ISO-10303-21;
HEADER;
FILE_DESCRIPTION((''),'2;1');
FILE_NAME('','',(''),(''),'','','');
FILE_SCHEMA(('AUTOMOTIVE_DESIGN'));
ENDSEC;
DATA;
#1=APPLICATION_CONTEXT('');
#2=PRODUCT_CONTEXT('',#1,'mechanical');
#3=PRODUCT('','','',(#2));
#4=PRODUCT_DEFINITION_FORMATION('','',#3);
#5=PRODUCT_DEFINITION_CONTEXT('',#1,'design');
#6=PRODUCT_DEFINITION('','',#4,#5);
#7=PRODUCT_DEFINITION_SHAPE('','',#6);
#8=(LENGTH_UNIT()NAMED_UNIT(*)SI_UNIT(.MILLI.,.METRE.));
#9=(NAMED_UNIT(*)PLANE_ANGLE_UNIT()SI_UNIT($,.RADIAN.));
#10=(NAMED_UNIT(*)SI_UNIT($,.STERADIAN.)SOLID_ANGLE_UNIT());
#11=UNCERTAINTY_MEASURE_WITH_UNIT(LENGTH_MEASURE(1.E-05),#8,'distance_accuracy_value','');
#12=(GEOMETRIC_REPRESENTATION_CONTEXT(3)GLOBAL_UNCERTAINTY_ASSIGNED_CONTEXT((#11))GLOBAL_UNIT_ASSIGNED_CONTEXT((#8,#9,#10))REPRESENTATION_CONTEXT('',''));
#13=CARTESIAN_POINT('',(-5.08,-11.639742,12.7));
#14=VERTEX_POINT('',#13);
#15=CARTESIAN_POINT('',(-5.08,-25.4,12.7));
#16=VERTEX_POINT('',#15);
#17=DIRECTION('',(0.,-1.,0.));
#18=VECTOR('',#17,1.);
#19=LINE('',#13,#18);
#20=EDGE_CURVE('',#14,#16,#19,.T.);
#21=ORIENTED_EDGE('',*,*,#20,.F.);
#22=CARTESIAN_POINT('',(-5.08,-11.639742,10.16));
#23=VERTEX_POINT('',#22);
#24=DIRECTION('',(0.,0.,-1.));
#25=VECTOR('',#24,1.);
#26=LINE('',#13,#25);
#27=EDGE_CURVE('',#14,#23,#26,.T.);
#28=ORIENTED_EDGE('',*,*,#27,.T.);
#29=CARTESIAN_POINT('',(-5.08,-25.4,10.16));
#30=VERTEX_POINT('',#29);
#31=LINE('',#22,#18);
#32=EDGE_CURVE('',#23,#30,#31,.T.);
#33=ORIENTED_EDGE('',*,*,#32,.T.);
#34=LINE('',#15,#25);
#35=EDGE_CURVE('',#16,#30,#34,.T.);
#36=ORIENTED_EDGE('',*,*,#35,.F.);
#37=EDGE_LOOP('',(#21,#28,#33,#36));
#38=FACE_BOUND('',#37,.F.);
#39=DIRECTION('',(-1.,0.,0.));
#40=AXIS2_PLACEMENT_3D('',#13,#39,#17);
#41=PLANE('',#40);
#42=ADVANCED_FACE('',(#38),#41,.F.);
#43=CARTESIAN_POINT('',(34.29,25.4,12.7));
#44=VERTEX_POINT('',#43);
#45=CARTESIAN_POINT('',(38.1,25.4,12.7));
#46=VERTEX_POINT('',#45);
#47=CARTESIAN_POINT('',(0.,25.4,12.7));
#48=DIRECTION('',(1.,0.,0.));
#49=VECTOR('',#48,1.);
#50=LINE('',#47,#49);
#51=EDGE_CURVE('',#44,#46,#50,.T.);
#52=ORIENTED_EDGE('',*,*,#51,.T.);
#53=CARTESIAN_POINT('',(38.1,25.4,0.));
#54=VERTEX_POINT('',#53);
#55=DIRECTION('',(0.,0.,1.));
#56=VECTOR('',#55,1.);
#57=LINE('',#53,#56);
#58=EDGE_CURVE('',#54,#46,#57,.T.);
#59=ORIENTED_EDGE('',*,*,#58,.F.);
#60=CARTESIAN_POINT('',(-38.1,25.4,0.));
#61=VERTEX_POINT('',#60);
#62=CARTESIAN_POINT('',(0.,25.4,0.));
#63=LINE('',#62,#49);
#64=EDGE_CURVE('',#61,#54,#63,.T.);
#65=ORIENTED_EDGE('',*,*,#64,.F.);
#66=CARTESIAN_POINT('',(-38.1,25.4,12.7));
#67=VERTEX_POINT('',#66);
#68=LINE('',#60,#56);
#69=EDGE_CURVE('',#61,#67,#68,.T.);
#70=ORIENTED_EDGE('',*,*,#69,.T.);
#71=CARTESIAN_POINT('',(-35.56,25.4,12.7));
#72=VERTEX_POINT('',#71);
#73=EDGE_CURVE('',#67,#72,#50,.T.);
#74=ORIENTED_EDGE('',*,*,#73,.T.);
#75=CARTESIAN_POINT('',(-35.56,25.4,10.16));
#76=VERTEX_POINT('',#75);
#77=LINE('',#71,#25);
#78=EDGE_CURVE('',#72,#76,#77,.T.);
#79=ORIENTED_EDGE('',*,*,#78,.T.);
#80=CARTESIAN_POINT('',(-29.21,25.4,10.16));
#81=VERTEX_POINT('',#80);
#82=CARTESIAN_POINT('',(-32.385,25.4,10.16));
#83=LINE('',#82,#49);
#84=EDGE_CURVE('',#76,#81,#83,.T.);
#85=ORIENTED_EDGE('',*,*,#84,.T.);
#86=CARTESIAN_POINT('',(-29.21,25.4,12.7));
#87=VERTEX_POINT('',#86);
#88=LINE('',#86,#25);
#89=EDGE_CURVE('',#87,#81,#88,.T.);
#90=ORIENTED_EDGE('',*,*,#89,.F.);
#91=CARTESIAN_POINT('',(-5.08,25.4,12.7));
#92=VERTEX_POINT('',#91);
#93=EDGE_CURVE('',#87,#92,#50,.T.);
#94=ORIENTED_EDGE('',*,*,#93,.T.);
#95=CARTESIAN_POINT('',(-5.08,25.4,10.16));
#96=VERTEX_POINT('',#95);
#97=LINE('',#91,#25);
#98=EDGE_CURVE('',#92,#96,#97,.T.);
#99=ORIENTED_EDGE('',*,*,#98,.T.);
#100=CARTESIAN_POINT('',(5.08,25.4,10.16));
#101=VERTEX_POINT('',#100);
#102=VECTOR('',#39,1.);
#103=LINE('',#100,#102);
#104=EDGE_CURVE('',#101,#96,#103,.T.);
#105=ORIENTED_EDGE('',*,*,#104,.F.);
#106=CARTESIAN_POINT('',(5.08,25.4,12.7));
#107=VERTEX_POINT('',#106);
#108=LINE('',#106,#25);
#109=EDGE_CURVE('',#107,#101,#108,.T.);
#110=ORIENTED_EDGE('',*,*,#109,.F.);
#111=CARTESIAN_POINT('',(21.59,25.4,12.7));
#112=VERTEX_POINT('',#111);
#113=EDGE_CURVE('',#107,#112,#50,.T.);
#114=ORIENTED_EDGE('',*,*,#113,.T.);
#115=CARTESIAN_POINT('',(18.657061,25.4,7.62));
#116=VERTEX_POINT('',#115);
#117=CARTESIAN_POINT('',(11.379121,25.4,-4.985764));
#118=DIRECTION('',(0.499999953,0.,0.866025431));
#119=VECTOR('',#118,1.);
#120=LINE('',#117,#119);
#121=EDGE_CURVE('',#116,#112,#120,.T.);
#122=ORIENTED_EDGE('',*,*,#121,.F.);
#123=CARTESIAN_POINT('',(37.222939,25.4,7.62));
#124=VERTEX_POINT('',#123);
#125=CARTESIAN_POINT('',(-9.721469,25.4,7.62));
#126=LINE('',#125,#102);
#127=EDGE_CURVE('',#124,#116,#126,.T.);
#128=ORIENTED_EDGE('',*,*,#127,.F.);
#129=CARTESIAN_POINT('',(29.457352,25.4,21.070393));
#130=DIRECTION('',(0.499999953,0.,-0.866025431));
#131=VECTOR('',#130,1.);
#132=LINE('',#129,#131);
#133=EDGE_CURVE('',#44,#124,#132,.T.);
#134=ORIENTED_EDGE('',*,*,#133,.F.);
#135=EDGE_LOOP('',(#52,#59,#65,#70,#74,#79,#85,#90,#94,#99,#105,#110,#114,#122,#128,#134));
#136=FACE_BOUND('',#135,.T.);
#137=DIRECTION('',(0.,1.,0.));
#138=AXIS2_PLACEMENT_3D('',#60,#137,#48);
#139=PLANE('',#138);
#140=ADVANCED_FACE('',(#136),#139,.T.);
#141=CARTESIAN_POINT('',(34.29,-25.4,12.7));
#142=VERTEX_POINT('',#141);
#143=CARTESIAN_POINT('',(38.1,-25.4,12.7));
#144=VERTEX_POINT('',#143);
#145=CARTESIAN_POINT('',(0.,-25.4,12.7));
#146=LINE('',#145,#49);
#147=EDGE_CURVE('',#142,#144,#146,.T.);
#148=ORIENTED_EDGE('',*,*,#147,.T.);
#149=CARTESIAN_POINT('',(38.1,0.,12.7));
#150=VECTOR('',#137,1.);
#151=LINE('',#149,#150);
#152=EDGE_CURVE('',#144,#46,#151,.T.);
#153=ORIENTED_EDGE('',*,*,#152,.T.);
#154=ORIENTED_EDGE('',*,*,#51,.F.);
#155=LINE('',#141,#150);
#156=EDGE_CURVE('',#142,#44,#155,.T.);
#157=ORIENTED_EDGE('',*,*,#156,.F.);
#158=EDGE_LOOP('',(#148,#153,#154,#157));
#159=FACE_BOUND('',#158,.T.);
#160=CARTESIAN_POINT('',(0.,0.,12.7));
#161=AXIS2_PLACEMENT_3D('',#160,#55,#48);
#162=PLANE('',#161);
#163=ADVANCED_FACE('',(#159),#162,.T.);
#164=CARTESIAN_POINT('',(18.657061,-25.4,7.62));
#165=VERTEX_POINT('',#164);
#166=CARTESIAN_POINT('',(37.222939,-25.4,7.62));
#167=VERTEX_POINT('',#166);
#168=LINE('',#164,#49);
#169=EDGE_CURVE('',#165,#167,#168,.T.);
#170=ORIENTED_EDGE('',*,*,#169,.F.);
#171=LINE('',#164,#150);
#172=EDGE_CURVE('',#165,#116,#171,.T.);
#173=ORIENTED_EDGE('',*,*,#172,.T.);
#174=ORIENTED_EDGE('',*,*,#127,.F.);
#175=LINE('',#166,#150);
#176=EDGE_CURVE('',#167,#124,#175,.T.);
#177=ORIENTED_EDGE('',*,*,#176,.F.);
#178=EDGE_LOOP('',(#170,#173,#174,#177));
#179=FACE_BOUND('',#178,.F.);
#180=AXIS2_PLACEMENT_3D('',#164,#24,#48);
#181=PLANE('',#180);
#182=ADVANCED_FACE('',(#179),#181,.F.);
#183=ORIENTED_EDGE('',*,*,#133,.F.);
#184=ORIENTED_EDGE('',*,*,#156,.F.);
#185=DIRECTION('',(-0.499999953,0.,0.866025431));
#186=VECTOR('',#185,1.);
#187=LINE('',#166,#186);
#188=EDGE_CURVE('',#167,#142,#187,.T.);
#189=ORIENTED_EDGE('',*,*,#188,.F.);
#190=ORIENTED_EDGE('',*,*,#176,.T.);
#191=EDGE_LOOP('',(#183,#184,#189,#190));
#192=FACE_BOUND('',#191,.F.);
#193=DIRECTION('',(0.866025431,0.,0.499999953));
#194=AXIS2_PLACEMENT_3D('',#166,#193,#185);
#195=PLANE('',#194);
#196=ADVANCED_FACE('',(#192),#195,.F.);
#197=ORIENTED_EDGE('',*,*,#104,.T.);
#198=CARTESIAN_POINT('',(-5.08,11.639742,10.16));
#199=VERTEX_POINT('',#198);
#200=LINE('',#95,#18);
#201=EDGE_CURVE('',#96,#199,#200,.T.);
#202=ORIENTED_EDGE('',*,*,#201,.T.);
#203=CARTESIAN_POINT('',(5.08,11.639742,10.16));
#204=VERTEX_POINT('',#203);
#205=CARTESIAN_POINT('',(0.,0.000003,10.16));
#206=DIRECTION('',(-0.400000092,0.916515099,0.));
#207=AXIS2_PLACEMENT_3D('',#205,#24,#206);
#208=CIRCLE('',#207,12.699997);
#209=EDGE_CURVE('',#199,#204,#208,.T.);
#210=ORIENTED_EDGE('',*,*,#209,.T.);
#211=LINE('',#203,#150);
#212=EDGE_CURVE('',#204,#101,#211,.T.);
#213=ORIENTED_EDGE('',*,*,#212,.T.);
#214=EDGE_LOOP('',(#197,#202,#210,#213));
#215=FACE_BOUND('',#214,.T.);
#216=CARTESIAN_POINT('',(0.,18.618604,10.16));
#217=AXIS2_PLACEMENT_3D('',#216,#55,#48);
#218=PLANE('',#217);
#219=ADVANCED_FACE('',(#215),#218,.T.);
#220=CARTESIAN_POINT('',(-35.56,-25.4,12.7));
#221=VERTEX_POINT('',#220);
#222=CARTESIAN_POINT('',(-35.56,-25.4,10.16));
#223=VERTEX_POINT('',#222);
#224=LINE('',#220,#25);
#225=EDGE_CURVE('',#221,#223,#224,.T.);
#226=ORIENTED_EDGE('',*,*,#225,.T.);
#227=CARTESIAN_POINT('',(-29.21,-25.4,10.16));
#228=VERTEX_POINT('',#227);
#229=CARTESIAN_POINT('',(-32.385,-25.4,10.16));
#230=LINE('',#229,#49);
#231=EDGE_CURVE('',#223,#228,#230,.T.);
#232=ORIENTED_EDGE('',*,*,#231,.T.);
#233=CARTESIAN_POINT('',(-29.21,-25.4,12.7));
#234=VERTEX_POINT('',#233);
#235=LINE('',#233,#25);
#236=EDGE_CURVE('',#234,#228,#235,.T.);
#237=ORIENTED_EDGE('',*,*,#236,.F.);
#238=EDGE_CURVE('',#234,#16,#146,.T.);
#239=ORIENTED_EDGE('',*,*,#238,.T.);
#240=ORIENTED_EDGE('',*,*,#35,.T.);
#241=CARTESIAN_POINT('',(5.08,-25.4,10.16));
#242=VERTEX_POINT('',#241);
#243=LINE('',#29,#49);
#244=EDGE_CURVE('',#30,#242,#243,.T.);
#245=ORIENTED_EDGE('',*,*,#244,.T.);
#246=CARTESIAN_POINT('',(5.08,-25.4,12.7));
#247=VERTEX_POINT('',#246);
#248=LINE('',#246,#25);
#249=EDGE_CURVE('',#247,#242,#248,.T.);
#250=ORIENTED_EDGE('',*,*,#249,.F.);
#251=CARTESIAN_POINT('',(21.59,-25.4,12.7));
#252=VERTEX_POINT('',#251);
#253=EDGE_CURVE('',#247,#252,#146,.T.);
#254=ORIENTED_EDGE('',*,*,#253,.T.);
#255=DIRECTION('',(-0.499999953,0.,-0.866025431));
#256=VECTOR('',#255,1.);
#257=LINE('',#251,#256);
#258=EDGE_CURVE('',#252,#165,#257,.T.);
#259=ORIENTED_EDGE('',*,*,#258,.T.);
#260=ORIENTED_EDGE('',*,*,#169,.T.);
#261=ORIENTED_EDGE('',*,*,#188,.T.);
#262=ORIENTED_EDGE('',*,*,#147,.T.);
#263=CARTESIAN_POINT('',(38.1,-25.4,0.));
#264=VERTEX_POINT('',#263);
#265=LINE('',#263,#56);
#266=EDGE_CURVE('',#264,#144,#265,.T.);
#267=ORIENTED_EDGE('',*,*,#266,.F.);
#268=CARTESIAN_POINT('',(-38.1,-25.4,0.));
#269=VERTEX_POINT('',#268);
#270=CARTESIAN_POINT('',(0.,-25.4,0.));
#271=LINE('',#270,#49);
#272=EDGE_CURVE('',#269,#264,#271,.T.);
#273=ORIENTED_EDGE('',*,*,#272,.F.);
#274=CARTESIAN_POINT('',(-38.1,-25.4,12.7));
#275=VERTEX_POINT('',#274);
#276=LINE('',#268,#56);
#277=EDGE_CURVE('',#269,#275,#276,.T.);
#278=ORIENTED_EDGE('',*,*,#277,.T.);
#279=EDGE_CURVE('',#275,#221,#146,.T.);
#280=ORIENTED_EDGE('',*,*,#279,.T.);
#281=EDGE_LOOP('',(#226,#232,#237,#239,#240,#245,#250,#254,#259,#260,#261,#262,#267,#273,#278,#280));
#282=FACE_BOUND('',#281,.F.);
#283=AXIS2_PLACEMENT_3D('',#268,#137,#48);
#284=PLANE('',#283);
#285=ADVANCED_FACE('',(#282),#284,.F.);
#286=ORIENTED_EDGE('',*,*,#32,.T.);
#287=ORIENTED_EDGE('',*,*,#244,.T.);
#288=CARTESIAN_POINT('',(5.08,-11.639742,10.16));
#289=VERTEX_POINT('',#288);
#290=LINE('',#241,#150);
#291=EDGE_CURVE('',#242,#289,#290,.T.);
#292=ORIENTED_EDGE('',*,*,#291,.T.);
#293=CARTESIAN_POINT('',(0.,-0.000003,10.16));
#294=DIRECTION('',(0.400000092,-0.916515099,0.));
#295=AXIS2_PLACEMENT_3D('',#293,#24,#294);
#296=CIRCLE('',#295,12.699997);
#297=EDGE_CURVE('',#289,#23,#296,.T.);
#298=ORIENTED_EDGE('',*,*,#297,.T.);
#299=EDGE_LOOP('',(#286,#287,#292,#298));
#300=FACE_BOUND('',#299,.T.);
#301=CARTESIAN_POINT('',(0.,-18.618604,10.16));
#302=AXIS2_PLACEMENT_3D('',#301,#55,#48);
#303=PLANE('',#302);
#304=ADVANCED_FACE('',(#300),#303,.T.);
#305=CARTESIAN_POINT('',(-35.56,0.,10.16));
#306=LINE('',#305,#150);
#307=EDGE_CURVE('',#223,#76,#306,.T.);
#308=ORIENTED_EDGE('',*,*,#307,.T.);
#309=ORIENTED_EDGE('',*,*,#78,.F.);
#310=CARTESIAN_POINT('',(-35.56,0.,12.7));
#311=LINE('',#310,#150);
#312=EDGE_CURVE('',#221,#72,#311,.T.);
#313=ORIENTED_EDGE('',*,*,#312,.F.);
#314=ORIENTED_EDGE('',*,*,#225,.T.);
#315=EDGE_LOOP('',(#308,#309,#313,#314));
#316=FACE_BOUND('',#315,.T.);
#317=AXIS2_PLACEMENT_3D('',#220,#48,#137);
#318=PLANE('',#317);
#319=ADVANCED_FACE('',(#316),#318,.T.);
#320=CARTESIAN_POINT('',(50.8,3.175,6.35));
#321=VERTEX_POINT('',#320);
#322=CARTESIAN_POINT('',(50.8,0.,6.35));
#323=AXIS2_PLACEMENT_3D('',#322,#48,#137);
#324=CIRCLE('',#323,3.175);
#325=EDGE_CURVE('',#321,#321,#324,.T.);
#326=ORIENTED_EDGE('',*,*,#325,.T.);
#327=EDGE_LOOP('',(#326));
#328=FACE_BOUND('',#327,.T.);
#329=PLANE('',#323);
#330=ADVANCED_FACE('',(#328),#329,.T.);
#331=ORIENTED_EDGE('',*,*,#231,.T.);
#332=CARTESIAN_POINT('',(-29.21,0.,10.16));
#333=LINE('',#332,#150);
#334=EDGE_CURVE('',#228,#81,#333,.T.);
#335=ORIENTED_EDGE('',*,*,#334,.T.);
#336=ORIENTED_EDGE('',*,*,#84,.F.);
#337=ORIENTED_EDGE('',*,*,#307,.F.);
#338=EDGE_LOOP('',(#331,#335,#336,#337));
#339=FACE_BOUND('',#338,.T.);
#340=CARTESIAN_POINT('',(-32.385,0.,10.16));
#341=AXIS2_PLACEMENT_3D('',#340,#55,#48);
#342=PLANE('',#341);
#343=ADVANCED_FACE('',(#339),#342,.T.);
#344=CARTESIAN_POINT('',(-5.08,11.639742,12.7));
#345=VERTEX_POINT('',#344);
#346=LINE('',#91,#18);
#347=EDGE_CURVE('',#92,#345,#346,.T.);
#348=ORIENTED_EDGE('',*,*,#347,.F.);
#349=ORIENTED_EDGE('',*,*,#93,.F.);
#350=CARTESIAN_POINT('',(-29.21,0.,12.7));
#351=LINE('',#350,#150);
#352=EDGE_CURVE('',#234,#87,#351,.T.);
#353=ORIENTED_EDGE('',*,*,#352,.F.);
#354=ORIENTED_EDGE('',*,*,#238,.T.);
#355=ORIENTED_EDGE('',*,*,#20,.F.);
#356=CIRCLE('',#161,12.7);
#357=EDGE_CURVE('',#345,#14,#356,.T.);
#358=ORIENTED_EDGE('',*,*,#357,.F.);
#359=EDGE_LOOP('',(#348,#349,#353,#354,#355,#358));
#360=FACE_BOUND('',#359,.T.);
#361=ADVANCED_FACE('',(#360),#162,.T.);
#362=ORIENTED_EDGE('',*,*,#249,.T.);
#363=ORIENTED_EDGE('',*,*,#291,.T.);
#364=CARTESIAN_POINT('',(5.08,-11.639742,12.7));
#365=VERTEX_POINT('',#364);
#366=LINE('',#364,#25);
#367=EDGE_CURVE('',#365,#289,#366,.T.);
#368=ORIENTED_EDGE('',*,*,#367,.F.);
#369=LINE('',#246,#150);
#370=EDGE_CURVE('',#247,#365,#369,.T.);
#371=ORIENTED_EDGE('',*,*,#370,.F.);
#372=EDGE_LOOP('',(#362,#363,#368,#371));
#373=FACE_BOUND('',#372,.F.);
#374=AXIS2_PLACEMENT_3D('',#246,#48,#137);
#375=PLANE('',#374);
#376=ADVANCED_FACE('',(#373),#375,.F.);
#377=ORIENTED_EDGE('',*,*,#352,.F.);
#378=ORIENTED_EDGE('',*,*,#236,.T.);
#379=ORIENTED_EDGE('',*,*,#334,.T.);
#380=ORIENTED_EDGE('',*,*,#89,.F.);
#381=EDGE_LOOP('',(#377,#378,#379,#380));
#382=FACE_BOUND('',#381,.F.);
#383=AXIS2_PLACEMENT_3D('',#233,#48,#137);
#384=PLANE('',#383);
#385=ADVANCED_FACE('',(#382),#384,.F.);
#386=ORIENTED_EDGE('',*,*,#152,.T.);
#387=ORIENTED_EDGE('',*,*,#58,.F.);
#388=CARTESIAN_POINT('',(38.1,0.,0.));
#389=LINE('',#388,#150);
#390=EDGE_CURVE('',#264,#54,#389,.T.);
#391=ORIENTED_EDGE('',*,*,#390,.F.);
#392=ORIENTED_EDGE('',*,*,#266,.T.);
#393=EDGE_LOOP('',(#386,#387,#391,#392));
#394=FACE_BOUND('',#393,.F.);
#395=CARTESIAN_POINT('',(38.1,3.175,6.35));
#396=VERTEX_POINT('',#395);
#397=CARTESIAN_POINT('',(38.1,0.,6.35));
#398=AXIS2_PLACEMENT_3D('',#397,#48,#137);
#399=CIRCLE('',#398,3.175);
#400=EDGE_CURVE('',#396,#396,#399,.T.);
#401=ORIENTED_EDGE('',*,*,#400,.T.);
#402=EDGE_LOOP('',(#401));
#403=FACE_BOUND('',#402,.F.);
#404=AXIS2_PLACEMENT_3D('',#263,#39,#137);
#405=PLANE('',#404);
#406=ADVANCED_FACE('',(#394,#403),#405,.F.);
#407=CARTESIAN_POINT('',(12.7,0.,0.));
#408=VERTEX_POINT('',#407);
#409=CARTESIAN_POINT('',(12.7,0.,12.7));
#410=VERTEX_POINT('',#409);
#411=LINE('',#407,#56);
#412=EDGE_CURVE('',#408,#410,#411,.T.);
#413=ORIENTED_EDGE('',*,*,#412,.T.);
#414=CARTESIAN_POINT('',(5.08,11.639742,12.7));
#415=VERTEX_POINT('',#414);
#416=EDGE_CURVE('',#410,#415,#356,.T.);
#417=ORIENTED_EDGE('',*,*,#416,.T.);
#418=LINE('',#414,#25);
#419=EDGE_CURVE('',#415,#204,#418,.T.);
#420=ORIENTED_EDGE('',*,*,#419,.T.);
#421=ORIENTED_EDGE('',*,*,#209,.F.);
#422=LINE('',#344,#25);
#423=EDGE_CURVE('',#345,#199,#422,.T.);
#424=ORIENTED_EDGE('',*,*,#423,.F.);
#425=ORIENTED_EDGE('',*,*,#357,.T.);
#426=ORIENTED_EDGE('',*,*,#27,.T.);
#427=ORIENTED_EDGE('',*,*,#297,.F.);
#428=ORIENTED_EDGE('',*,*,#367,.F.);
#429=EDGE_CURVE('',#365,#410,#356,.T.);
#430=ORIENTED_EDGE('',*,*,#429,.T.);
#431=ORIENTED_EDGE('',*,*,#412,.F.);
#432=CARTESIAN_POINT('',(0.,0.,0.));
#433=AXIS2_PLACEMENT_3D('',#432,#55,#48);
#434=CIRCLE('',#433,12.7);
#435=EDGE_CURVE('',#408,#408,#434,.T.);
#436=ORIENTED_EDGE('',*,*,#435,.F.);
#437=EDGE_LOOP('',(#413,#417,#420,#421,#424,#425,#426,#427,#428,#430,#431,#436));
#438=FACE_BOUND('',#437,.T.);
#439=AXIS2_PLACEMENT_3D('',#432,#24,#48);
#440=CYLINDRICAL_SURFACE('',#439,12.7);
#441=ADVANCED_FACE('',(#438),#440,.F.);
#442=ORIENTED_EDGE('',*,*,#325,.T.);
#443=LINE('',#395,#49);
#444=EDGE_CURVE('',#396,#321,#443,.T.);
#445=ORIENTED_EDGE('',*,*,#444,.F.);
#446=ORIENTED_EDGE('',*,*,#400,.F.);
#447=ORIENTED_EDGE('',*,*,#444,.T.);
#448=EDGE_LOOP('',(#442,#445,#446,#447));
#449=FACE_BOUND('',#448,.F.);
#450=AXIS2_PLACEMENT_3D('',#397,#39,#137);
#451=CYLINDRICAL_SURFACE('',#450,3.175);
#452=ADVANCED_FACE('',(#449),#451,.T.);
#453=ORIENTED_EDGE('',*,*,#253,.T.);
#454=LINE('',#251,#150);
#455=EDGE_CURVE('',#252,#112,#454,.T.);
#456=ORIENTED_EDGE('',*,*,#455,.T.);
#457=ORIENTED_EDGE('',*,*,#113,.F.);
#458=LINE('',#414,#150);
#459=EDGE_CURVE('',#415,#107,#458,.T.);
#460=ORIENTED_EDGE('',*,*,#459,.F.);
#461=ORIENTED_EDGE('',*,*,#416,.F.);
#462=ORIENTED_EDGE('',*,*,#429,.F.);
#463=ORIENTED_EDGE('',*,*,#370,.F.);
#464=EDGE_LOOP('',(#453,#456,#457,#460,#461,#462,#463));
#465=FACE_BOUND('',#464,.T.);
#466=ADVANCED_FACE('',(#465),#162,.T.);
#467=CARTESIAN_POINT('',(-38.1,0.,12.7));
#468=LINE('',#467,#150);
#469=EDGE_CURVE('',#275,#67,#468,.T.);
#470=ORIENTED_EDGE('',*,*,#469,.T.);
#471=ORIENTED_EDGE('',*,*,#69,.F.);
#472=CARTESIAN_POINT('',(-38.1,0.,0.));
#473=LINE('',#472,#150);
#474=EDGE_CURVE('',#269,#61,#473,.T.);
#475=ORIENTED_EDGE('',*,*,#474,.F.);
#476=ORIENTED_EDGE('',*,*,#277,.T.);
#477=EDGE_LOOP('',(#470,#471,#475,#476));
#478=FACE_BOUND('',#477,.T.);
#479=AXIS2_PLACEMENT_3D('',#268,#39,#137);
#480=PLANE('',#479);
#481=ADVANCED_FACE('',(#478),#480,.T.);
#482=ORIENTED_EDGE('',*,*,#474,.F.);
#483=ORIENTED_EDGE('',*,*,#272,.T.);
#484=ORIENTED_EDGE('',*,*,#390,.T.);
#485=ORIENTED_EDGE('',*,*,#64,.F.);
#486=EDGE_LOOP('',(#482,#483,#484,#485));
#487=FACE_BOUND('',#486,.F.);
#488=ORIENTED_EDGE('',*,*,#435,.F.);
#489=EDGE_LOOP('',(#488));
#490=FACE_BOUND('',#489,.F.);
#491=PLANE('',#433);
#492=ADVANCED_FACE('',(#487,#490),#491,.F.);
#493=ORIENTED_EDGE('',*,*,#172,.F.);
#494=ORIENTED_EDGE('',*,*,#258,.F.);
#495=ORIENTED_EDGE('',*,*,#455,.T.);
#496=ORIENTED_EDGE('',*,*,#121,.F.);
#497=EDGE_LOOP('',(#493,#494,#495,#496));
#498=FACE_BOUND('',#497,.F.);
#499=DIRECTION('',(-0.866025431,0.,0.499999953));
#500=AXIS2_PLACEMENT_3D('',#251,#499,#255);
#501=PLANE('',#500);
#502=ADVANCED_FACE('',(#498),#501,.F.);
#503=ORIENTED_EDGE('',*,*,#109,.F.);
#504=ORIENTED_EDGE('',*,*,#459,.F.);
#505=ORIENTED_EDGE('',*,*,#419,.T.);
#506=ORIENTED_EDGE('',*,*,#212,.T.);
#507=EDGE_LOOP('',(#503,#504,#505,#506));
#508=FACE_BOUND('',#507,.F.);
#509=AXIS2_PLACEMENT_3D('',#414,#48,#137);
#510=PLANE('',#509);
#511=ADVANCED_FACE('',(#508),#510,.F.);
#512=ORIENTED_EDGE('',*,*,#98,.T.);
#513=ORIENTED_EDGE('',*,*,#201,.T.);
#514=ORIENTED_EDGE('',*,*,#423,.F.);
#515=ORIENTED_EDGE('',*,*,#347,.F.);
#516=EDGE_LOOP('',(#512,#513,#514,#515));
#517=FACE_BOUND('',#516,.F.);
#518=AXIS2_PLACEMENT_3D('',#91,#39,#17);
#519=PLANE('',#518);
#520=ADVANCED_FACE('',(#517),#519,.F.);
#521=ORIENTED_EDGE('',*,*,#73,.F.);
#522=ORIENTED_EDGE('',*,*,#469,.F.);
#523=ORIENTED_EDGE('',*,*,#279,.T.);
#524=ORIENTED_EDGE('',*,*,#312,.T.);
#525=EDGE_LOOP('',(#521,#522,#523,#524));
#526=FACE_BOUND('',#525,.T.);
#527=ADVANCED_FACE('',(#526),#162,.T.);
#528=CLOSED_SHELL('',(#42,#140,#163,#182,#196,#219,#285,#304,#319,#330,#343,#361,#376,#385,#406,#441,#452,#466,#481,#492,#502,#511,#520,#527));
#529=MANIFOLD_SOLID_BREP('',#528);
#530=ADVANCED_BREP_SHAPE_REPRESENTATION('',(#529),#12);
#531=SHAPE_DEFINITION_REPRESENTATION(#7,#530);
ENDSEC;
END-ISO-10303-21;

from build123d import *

# Parameters (mm, degrees)
F0_W     = 76.2
F0_H     = 50.8
F0_R     = 12.7
F1_DEPTH = 12.7
F2_W     = 6.35
F2_H     = 50.8
F3_DEPTH = 2.54
F5_DEPTH = 50.8508
F6_R     = 3.175
F7_DEPTH = 12.7


with BuildPart() as f1:
    # F0 (on Top) → F1 (new body)
    with BuildSketch(Plane.XY):
        Rectangle(F0_W, F0_H)
        Circle(F0_R, mode=Mode.SUBTRACT)
    extrude(amount=F1_DEPTH)

    # F2 (on face) → F3 (cut)
    with BuildSketch(Plane.XY.offset(12.7)):
        with BuildLine():
            ThreePointArc((5.08, -11.639742), (0, -12.7), (-5.08, -11.639742))
            Line((-5.08, -11.639742), (-5.08, -25.4))
            Line((-5.08, -25.4), (5.08, -25.4))
            Line((5.08, -25.4), (5.08, -11.639742))
        make_face()
        with BuildLine():
            Line((5.08, 25.4), (-5.08, 25.4))
            Line((-5.08, 25.4), (-5.08, 11.639742))
            ThreePointArc((-5.08, 11.639742), (0, 12.7), (5.08, 11.639742))
            Line((5.08, 11.639742), (5.08, 25.4))
        make_face()
        with Locations((-32.385, 0)):
            Rectangle(F2_W, F2_H)
    extrude(amount=-F3_DEPTH, mode=Mode.SUBTRACT)

    # F4 (on face) → F5 (cut)
    with BuildSketch(Plane.XZ.offset(25.4)):
        Polygon((34.29, 12.7), (21.59, 12.7), (18.657061, 7.62), (37.222939, 7.62), align=None)
    extrude(amount=-F5_DEPTH, mode=Mode.SUBTRACT)

    # F6 (on face) → F7 (join)
    with BuildSketch(Plane.YZ.offset(38.1)):
        with Locations((0, 6.35)):
            Circle(F6_R)
    extrude(amount=F7_DEPTH)


solid = f1.part
